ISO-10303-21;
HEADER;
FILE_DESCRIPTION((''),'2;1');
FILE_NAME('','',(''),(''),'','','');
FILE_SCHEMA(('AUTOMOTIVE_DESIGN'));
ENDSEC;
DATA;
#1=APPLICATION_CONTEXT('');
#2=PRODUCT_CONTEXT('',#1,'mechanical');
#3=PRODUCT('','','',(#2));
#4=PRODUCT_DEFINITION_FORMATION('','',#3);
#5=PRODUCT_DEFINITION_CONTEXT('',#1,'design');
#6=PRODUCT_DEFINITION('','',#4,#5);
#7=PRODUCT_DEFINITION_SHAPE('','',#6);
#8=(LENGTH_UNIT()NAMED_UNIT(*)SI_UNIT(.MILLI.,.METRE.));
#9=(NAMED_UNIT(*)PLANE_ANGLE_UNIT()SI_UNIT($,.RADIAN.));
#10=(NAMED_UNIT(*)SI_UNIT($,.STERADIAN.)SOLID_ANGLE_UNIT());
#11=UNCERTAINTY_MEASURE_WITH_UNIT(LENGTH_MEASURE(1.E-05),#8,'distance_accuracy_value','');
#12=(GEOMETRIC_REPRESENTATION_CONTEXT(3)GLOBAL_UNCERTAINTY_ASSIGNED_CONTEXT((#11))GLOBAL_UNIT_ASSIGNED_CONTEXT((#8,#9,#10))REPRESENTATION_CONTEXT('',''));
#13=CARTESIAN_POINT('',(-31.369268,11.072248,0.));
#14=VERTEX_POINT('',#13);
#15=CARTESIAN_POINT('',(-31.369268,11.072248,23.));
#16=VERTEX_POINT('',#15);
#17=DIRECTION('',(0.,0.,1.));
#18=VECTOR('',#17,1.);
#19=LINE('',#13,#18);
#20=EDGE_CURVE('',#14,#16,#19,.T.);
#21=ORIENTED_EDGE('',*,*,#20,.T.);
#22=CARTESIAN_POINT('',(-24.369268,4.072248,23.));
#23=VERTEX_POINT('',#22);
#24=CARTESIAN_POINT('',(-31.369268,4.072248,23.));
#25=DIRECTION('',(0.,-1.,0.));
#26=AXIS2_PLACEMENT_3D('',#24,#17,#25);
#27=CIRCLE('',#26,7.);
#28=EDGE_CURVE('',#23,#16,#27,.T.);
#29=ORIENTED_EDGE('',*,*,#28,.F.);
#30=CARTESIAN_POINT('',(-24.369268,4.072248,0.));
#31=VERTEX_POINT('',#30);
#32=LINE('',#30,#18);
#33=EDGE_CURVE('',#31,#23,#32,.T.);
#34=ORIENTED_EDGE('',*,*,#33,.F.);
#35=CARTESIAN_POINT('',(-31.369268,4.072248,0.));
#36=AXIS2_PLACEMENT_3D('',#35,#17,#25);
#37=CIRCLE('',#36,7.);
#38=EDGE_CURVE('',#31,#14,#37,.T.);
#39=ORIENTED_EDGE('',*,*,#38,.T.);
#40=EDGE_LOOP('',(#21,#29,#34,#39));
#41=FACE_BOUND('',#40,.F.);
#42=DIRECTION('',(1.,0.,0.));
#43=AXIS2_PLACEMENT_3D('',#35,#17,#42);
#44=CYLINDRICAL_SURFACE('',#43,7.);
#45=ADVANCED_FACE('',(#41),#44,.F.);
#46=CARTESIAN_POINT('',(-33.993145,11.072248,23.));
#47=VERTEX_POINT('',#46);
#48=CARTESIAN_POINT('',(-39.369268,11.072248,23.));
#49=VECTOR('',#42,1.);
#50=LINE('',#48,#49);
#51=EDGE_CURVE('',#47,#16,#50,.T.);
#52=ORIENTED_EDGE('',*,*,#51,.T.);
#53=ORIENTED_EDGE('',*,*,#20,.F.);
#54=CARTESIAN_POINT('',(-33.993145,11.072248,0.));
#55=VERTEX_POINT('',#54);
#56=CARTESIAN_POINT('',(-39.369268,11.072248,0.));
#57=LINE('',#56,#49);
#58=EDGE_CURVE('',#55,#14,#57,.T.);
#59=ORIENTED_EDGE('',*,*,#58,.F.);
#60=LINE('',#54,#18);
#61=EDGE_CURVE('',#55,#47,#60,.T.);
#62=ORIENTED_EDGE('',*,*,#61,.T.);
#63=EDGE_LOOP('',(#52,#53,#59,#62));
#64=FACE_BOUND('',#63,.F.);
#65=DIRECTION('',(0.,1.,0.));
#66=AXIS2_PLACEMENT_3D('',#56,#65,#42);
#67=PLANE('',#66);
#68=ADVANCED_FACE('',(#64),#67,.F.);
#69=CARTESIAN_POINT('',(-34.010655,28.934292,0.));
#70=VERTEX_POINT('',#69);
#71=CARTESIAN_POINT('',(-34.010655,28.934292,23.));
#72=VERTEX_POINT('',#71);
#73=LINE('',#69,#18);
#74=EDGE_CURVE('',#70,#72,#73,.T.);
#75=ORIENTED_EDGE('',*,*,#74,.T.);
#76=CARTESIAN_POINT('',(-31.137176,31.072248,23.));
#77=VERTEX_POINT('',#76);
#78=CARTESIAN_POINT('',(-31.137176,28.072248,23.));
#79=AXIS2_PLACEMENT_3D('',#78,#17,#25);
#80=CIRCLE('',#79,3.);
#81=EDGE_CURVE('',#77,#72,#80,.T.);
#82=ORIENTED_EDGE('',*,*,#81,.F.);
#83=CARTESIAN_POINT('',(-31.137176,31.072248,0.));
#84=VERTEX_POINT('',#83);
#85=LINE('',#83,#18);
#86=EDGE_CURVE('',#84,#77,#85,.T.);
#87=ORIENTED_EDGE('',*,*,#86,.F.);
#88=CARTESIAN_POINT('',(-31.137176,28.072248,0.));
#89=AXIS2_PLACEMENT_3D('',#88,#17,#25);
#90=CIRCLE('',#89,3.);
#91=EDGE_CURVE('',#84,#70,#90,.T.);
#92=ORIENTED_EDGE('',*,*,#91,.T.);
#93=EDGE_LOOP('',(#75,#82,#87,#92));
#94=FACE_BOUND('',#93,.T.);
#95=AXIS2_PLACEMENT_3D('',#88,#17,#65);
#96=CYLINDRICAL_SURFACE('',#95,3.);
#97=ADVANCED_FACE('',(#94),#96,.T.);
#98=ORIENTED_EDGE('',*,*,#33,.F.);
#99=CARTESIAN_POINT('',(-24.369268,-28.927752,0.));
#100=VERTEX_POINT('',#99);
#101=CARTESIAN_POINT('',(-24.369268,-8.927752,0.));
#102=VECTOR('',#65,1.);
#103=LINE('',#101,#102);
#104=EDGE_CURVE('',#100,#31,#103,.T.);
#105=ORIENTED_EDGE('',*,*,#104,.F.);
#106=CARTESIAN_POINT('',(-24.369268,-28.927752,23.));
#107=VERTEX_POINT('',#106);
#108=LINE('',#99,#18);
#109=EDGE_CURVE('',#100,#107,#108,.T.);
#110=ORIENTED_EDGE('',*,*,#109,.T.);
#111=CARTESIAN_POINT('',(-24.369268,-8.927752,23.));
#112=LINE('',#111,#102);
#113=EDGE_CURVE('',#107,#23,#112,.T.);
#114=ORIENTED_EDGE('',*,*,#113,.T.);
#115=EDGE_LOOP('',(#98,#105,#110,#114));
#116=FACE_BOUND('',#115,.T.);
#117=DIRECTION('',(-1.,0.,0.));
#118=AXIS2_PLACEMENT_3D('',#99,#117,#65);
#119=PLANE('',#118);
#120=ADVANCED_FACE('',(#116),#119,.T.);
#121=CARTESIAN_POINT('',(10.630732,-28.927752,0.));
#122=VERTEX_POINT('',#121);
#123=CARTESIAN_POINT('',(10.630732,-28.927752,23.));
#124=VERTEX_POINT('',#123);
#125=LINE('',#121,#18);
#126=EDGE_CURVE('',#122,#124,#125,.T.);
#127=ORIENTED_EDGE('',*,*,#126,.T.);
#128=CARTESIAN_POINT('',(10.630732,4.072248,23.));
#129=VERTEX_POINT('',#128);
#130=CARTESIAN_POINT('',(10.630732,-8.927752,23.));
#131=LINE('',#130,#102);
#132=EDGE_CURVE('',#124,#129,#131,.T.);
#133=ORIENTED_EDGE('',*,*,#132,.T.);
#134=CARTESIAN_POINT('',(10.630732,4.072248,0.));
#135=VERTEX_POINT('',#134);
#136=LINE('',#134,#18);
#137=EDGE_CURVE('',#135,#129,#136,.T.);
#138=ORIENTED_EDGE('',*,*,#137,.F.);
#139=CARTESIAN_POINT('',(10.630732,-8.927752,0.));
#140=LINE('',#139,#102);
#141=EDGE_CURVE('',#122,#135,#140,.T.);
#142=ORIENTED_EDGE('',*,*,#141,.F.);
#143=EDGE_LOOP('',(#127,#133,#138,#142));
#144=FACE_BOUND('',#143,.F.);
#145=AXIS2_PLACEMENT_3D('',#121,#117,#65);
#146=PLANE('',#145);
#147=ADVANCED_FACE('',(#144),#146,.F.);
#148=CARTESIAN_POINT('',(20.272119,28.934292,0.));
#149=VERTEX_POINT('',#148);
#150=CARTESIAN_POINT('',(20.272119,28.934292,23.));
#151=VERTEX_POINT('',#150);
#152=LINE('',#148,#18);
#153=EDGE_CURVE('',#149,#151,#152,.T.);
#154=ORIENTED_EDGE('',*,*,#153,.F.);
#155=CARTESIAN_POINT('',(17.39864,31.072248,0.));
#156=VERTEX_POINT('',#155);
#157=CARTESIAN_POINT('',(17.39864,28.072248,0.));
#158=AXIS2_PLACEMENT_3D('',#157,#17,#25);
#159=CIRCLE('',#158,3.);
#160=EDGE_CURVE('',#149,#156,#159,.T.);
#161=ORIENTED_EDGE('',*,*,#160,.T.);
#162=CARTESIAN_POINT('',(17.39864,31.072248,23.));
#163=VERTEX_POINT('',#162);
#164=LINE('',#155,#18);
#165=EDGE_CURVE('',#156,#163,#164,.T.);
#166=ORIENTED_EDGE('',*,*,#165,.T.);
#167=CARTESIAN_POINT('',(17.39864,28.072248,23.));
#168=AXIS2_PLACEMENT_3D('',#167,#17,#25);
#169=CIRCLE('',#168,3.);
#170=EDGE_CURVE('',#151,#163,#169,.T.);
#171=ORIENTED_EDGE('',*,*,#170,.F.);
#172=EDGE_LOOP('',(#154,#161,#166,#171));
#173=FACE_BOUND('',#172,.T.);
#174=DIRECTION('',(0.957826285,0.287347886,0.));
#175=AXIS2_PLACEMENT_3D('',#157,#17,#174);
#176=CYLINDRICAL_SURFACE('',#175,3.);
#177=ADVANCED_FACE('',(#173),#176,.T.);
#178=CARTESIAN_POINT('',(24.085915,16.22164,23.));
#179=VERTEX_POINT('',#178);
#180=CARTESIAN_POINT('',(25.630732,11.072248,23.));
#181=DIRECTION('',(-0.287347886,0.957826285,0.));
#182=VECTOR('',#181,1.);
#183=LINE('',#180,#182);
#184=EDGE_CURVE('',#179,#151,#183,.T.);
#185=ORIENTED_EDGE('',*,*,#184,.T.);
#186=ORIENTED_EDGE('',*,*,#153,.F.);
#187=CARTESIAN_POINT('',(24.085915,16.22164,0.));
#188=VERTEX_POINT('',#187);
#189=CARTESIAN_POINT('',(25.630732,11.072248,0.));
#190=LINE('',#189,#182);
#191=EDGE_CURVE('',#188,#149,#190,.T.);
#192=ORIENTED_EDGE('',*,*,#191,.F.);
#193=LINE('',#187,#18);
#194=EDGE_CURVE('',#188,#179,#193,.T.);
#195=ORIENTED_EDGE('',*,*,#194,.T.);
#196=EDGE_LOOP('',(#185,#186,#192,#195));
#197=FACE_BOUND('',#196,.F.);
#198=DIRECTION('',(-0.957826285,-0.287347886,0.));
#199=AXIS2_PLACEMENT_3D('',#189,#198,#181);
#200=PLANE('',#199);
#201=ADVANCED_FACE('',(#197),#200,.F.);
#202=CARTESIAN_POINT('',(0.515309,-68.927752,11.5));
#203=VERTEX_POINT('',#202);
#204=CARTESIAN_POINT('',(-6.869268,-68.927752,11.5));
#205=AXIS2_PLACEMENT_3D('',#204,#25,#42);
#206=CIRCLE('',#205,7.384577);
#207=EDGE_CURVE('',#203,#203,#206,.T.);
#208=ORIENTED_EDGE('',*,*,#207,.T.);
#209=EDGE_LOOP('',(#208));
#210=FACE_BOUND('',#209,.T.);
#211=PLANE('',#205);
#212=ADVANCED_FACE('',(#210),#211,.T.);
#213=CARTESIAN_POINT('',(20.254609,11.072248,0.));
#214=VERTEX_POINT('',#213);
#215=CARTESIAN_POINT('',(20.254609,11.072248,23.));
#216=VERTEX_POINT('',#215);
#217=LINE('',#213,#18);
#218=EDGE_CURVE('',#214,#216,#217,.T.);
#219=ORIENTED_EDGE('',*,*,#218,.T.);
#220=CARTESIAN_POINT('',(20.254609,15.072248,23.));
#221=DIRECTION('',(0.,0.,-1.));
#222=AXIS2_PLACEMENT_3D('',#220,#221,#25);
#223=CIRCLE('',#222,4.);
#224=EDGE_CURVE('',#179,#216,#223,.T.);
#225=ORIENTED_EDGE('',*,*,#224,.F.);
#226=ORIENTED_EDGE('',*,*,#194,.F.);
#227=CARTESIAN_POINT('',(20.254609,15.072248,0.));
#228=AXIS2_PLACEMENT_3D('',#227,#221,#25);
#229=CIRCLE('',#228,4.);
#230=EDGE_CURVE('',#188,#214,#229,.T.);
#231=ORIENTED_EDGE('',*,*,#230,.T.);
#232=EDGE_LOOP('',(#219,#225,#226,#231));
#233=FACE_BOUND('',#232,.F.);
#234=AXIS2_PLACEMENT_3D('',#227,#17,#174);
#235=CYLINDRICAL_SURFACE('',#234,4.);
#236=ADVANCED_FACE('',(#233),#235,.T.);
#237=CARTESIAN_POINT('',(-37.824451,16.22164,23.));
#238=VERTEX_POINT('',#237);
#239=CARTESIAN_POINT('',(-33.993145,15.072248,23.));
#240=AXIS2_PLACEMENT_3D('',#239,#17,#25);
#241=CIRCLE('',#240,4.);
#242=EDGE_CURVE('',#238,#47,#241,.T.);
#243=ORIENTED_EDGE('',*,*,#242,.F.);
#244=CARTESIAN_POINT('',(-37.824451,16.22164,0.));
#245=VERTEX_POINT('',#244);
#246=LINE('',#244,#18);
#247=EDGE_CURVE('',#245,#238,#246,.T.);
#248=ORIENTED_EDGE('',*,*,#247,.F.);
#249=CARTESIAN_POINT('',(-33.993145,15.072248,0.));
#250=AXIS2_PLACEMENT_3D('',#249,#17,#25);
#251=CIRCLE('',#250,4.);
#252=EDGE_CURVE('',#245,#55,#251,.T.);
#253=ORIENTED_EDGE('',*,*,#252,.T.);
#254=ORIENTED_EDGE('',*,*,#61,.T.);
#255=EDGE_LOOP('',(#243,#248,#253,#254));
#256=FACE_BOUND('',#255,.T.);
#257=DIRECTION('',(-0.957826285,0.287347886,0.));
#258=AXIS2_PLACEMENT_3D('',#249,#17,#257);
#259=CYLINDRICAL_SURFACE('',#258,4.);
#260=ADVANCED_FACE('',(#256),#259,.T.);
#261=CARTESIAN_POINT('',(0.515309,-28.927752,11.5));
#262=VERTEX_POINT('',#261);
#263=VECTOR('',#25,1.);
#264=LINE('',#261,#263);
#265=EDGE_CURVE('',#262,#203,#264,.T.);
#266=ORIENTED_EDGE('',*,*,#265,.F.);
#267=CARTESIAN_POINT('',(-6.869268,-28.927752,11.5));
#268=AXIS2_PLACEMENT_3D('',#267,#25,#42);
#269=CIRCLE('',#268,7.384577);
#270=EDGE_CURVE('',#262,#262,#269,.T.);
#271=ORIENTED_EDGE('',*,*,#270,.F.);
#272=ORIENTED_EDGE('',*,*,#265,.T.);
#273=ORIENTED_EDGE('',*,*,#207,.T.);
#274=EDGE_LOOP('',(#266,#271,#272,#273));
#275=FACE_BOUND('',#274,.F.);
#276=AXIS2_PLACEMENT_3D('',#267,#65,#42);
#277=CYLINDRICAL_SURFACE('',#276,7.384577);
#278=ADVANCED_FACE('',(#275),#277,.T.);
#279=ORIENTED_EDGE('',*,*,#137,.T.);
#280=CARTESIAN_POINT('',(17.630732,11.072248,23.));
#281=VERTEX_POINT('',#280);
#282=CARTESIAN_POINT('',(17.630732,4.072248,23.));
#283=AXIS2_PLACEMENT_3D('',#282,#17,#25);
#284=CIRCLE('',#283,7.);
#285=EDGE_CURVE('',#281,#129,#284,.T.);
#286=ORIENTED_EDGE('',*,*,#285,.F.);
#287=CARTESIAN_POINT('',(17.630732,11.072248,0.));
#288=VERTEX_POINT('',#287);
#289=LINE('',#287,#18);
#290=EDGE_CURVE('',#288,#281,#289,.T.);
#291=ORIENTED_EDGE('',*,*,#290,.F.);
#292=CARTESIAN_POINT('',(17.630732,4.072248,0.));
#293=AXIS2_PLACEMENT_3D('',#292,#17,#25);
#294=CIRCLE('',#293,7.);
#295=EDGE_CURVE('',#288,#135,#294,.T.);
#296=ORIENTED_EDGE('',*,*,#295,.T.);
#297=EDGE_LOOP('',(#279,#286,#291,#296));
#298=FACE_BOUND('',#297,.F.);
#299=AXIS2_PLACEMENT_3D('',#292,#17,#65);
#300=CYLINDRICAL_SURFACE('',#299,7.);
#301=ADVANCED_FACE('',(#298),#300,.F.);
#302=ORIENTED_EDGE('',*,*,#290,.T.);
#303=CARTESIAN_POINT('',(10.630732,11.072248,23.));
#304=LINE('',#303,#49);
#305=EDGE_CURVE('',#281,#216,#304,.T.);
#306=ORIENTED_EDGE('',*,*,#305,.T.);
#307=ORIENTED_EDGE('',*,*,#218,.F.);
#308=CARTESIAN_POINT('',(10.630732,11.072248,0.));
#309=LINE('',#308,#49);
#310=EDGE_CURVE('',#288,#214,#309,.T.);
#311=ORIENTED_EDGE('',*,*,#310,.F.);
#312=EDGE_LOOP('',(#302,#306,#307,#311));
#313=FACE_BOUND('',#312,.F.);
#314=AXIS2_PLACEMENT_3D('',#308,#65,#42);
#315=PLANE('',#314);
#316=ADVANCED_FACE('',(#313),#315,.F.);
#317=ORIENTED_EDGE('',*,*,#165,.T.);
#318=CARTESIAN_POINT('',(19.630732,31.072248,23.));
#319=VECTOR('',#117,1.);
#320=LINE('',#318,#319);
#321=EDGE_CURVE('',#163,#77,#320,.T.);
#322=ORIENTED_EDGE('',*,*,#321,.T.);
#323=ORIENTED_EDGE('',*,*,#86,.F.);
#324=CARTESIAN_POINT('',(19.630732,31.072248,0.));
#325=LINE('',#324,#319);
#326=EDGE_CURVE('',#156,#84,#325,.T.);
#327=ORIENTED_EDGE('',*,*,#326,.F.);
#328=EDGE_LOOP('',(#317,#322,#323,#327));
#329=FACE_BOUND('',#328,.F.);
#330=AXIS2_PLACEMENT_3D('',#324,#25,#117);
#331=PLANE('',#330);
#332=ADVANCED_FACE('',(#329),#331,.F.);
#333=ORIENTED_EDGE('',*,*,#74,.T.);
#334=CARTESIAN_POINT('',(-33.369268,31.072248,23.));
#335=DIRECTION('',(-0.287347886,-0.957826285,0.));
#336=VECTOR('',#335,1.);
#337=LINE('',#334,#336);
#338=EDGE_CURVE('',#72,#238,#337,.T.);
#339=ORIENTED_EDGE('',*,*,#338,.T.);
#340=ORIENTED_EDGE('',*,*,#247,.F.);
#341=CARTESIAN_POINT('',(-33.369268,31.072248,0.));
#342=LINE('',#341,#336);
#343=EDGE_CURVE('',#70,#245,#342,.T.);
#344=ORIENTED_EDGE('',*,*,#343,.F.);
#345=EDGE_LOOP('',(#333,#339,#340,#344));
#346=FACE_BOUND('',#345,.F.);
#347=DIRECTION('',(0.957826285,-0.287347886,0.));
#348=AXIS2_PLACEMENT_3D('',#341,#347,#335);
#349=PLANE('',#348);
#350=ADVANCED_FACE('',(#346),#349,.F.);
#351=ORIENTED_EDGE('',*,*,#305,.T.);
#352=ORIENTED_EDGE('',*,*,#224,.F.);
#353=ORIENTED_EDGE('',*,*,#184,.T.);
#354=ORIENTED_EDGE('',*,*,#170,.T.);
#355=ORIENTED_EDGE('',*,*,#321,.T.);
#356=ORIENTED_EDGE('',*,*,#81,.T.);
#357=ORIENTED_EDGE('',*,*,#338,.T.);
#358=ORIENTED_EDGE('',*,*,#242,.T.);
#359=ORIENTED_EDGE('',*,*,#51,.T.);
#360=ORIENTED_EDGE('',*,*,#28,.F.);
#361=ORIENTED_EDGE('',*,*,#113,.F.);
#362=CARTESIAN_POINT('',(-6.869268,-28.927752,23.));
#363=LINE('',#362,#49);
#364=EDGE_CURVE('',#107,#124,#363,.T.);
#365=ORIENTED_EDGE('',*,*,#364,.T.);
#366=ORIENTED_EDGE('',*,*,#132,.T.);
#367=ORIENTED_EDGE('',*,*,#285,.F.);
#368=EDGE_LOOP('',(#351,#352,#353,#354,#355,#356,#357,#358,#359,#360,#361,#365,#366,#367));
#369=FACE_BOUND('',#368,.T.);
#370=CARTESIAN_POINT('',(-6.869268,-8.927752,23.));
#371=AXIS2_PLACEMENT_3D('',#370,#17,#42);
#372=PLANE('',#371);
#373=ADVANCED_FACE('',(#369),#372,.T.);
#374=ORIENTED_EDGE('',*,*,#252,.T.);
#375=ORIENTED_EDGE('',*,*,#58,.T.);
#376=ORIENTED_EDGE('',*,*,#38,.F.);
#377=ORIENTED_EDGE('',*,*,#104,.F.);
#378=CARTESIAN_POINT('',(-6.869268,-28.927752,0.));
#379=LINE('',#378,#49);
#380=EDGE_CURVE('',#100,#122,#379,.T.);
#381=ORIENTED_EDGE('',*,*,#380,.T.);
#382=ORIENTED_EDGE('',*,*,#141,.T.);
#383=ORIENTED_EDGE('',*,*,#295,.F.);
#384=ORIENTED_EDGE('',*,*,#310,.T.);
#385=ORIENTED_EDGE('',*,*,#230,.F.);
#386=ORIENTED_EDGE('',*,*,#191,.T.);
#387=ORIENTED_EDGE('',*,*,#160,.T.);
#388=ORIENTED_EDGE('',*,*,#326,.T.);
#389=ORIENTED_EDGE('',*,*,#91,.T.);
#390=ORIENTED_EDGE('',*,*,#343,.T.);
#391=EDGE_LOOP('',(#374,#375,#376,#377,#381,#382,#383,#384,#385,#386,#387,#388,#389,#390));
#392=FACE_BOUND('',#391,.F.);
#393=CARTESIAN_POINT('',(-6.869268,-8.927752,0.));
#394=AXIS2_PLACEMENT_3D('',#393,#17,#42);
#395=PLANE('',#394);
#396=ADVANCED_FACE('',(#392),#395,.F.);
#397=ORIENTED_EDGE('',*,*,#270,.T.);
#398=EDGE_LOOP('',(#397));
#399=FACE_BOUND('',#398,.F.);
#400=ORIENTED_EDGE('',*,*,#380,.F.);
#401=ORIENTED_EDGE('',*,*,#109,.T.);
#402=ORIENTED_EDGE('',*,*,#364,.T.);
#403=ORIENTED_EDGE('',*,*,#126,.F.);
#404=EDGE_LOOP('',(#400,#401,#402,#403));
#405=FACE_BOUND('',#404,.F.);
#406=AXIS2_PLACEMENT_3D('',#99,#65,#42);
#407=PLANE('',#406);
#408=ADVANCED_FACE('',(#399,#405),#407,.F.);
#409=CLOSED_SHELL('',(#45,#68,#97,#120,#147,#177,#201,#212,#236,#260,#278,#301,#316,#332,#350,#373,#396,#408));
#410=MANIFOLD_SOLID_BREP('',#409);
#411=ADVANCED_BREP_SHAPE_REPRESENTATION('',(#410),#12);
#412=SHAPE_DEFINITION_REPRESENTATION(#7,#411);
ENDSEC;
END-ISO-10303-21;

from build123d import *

# Parameters (mm, degrees)
F0_W     = 35
F0_H     = 40
F1_DEPTH = 23
F2_R     = 3
F3_R     = 4
F4_R     = 7
F5_R     = 7.384577
F6_DEPTH = 40


with BuildPart() as f1:
    # F0 (on Top) → F1 (new body)
    with BuildSketch(Plane.XY):
        with Locations((-6.869268, -8.927752)):
            Rectangle(F0_W, F0_H)
        Polygon((19.630732, 31.072248), (-33.369268, 31.072248), (-39.369268, 11.072248), (-24.369268, 11.072248), (10.630732, 11.072248), (25.630732, 11.072248), align=None)
    extrude(amount=F1_DEPTH)

    # F2
    f2_edges = [f1.edges().sort_by_distance(p)[0] for p in [
        (-33.369268, 31.072248, 11.5),
        (19.630732, 31.072248, 11.5),
    ]]
    fillet(f2_edges, radius=F2_R)

    # F3
    f3_edges = [f1.edges().sort_by_distance(p)[0] for p in [
        (-39.369268, 11.072248, 11.5),
        (25.630732, 11.072248, 11.5),
    ]]
    fillet(f3_edges, radius=F3_R)

    # F4
    f4_edges = [f1.edges().sort_by_distance(p)[0] for p in [
        (-24.369268, 11.072248, 11.5),
        (10.630732, 11.072248, 11.5),
    ]]
    fillet(f4_edges, radius=F4_R)

    # F5 (on face) → F6 (join)
    with BuildSketch(Plane.XZ.offset(28.927752)):
        with Locations((-6.869268, 11.5)):
            Circle(F5_R)
    extrude(amount=F6_DEPTH)


solid = f1.part
